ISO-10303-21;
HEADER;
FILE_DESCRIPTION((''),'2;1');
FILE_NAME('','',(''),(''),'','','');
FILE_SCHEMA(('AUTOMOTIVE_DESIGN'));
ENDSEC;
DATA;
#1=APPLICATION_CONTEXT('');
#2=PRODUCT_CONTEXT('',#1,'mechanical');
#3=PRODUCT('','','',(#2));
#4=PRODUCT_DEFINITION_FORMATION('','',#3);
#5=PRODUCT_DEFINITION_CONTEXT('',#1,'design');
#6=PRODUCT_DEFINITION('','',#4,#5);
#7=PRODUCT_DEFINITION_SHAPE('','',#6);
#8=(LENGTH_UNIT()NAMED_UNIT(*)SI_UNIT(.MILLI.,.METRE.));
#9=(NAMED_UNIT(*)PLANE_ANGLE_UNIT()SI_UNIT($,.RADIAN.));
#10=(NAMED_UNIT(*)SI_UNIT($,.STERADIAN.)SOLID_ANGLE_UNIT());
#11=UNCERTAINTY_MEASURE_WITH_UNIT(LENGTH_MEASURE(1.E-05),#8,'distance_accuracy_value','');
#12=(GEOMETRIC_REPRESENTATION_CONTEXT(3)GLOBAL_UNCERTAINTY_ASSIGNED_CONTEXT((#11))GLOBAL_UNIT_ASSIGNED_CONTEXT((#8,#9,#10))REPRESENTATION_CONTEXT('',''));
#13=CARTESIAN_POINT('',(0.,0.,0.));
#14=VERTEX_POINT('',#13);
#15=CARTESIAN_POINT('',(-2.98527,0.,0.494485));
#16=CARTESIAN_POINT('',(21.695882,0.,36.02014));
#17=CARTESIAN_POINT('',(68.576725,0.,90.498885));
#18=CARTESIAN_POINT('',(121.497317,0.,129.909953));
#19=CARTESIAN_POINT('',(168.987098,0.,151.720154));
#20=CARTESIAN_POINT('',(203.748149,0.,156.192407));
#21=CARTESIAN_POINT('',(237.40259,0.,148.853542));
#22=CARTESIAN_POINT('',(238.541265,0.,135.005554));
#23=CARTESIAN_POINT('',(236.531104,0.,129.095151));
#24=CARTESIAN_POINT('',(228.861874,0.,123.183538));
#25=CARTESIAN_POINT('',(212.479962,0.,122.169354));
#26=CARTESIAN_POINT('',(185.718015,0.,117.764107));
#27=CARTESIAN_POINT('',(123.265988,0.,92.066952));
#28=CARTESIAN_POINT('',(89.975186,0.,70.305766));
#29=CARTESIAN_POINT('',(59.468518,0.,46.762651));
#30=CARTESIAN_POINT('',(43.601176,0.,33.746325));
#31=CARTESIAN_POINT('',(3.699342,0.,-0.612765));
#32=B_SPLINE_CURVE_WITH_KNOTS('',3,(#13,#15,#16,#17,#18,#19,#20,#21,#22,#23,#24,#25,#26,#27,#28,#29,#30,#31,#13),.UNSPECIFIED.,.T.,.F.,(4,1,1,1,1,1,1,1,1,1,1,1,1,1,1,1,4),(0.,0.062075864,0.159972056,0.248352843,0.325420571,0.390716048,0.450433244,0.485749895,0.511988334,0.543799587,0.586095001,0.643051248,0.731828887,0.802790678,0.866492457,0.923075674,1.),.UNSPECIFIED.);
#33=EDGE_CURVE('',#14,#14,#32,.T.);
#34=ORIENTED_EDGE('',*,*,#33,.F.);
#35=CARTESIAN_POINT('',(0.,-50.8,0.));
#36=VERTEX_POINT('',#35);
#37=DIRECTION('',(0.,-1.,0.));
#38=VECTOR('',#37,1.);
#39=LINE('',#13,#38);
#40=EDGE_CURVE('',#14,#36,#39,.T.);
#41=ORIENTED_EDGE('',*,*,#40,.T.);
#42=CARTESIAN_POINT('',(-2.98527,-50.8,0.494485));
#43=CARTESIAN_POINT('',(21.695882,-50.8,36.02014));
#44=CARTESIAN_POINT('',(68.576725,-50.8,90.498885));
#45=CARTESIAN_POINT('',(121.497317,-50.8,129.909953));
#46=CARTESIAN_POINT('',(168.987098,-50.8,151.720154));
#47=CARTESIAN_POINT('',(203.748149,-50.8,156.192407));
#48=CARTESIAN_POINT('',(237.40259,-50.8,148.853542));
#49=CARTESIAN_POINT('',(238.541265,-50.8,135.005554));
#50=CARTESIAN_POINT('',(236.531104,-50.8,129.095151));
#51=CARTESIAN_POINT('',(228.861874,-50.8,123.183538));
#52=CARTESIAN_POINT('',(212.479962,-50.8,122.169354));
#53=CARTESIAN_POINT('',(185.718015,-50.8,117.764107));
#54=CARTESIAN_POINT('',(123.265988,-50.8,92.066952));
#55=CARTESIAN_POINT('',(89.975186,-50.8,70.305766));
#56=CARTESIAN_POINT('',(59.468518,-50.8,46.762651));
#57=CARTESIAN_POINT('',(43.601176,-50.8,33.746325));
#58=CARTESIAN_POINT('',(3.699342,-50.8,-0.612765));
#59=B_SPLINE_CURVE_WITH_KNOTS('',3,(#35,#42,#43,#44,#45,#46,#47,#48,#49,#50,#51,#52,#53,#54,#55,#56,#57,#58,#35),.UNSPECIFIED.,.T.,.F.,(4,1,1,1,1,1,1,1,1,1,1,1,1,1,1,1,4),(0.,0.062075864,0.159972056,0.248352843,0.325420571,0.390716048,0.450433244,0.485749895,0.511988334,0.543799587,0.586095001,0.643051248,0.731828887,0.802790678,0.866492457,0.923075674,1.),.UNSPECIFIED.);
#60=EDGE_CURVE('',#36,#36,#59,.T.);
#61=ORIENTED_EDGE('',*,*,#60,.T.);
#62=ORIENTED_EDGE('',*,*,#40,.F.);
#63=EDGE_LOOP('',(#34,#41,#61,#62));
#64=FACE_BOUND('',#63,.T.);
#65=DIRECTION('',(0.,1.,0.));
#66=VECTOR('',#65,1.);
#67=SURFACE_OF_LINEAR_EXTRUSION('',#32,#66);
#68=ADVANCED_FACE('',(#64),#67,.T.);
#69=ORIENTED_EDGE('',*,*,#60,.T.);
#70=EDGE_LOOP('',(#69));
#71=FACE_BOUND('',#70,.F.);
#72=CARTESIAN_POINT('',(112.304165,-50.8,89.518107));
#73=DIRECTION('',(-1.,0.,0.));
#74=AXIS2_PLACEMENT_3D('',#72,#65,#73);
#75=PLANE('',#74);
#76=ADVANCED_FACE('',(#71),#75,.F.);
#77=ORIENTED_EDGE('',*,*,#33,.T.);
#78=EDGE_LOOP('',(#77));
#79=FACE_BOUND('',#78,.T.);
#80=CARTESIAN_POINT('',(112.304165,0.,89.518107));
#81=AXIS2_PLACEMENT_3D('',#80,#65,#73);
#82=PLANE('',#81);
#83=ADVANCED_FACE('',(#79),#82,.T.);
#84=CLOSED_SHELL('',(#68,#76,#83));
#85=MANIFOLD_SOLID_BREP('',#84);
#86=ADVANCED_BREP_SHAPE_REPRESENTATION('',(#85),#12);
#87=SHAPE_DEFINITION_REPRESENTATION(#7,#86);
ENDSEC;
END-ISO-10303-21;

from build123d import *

# Parameters (mm, degrees)
F1_DEPTH = 50.8


with BuildPart() as f1:
    # F0 (on Front) → F1 (new body)
    with BuildSketch(Plane.XZ):
        with BuildLine():
            add(Edge.make_bspline(
                [(0, 0), (-2.9852695591, 0.4944847369), (21.6958822077, 36.020139757), (68.5767247709, 90.4988851353), (121.4973174848, 129.9099525548), (168.9870976642, 151.7201542927), (203.7481485016, 156.1924065209), (237.4025900593, 148.8535421329), (238.5412646981, 135.0055544026), (236.5311042548, 129.0951514346), (228.8618740221, 123.1835380925), (212.4799623715, 122.1693539007), (185.718015065, 117.7641068086), (123.2659877569, 92.0669519457), (89.9751859775, 70.3057664821), (59.4685181827, 46.7626508991), (43.6011756536, 33.7463254208), (3.6993419757, -0.6127648132), (0, 0)],
                knots=[0, 0, 0, 0, 0.062075864, 0.1599720557, 0.2483528433, 0.325420571, 0.3907160481, 0.4504332442, 0.4857498954, 0.511988334, 0.5437995868, 0.5860950006, 0.6430512476, 0.7318288869, 0.8027906776, 0.8664924569, 0.9230756737, 1, 1, 1, 1], degree=3))
        make_face()
    extrude(amount=F1_DEPTH)


solid = f1.part
